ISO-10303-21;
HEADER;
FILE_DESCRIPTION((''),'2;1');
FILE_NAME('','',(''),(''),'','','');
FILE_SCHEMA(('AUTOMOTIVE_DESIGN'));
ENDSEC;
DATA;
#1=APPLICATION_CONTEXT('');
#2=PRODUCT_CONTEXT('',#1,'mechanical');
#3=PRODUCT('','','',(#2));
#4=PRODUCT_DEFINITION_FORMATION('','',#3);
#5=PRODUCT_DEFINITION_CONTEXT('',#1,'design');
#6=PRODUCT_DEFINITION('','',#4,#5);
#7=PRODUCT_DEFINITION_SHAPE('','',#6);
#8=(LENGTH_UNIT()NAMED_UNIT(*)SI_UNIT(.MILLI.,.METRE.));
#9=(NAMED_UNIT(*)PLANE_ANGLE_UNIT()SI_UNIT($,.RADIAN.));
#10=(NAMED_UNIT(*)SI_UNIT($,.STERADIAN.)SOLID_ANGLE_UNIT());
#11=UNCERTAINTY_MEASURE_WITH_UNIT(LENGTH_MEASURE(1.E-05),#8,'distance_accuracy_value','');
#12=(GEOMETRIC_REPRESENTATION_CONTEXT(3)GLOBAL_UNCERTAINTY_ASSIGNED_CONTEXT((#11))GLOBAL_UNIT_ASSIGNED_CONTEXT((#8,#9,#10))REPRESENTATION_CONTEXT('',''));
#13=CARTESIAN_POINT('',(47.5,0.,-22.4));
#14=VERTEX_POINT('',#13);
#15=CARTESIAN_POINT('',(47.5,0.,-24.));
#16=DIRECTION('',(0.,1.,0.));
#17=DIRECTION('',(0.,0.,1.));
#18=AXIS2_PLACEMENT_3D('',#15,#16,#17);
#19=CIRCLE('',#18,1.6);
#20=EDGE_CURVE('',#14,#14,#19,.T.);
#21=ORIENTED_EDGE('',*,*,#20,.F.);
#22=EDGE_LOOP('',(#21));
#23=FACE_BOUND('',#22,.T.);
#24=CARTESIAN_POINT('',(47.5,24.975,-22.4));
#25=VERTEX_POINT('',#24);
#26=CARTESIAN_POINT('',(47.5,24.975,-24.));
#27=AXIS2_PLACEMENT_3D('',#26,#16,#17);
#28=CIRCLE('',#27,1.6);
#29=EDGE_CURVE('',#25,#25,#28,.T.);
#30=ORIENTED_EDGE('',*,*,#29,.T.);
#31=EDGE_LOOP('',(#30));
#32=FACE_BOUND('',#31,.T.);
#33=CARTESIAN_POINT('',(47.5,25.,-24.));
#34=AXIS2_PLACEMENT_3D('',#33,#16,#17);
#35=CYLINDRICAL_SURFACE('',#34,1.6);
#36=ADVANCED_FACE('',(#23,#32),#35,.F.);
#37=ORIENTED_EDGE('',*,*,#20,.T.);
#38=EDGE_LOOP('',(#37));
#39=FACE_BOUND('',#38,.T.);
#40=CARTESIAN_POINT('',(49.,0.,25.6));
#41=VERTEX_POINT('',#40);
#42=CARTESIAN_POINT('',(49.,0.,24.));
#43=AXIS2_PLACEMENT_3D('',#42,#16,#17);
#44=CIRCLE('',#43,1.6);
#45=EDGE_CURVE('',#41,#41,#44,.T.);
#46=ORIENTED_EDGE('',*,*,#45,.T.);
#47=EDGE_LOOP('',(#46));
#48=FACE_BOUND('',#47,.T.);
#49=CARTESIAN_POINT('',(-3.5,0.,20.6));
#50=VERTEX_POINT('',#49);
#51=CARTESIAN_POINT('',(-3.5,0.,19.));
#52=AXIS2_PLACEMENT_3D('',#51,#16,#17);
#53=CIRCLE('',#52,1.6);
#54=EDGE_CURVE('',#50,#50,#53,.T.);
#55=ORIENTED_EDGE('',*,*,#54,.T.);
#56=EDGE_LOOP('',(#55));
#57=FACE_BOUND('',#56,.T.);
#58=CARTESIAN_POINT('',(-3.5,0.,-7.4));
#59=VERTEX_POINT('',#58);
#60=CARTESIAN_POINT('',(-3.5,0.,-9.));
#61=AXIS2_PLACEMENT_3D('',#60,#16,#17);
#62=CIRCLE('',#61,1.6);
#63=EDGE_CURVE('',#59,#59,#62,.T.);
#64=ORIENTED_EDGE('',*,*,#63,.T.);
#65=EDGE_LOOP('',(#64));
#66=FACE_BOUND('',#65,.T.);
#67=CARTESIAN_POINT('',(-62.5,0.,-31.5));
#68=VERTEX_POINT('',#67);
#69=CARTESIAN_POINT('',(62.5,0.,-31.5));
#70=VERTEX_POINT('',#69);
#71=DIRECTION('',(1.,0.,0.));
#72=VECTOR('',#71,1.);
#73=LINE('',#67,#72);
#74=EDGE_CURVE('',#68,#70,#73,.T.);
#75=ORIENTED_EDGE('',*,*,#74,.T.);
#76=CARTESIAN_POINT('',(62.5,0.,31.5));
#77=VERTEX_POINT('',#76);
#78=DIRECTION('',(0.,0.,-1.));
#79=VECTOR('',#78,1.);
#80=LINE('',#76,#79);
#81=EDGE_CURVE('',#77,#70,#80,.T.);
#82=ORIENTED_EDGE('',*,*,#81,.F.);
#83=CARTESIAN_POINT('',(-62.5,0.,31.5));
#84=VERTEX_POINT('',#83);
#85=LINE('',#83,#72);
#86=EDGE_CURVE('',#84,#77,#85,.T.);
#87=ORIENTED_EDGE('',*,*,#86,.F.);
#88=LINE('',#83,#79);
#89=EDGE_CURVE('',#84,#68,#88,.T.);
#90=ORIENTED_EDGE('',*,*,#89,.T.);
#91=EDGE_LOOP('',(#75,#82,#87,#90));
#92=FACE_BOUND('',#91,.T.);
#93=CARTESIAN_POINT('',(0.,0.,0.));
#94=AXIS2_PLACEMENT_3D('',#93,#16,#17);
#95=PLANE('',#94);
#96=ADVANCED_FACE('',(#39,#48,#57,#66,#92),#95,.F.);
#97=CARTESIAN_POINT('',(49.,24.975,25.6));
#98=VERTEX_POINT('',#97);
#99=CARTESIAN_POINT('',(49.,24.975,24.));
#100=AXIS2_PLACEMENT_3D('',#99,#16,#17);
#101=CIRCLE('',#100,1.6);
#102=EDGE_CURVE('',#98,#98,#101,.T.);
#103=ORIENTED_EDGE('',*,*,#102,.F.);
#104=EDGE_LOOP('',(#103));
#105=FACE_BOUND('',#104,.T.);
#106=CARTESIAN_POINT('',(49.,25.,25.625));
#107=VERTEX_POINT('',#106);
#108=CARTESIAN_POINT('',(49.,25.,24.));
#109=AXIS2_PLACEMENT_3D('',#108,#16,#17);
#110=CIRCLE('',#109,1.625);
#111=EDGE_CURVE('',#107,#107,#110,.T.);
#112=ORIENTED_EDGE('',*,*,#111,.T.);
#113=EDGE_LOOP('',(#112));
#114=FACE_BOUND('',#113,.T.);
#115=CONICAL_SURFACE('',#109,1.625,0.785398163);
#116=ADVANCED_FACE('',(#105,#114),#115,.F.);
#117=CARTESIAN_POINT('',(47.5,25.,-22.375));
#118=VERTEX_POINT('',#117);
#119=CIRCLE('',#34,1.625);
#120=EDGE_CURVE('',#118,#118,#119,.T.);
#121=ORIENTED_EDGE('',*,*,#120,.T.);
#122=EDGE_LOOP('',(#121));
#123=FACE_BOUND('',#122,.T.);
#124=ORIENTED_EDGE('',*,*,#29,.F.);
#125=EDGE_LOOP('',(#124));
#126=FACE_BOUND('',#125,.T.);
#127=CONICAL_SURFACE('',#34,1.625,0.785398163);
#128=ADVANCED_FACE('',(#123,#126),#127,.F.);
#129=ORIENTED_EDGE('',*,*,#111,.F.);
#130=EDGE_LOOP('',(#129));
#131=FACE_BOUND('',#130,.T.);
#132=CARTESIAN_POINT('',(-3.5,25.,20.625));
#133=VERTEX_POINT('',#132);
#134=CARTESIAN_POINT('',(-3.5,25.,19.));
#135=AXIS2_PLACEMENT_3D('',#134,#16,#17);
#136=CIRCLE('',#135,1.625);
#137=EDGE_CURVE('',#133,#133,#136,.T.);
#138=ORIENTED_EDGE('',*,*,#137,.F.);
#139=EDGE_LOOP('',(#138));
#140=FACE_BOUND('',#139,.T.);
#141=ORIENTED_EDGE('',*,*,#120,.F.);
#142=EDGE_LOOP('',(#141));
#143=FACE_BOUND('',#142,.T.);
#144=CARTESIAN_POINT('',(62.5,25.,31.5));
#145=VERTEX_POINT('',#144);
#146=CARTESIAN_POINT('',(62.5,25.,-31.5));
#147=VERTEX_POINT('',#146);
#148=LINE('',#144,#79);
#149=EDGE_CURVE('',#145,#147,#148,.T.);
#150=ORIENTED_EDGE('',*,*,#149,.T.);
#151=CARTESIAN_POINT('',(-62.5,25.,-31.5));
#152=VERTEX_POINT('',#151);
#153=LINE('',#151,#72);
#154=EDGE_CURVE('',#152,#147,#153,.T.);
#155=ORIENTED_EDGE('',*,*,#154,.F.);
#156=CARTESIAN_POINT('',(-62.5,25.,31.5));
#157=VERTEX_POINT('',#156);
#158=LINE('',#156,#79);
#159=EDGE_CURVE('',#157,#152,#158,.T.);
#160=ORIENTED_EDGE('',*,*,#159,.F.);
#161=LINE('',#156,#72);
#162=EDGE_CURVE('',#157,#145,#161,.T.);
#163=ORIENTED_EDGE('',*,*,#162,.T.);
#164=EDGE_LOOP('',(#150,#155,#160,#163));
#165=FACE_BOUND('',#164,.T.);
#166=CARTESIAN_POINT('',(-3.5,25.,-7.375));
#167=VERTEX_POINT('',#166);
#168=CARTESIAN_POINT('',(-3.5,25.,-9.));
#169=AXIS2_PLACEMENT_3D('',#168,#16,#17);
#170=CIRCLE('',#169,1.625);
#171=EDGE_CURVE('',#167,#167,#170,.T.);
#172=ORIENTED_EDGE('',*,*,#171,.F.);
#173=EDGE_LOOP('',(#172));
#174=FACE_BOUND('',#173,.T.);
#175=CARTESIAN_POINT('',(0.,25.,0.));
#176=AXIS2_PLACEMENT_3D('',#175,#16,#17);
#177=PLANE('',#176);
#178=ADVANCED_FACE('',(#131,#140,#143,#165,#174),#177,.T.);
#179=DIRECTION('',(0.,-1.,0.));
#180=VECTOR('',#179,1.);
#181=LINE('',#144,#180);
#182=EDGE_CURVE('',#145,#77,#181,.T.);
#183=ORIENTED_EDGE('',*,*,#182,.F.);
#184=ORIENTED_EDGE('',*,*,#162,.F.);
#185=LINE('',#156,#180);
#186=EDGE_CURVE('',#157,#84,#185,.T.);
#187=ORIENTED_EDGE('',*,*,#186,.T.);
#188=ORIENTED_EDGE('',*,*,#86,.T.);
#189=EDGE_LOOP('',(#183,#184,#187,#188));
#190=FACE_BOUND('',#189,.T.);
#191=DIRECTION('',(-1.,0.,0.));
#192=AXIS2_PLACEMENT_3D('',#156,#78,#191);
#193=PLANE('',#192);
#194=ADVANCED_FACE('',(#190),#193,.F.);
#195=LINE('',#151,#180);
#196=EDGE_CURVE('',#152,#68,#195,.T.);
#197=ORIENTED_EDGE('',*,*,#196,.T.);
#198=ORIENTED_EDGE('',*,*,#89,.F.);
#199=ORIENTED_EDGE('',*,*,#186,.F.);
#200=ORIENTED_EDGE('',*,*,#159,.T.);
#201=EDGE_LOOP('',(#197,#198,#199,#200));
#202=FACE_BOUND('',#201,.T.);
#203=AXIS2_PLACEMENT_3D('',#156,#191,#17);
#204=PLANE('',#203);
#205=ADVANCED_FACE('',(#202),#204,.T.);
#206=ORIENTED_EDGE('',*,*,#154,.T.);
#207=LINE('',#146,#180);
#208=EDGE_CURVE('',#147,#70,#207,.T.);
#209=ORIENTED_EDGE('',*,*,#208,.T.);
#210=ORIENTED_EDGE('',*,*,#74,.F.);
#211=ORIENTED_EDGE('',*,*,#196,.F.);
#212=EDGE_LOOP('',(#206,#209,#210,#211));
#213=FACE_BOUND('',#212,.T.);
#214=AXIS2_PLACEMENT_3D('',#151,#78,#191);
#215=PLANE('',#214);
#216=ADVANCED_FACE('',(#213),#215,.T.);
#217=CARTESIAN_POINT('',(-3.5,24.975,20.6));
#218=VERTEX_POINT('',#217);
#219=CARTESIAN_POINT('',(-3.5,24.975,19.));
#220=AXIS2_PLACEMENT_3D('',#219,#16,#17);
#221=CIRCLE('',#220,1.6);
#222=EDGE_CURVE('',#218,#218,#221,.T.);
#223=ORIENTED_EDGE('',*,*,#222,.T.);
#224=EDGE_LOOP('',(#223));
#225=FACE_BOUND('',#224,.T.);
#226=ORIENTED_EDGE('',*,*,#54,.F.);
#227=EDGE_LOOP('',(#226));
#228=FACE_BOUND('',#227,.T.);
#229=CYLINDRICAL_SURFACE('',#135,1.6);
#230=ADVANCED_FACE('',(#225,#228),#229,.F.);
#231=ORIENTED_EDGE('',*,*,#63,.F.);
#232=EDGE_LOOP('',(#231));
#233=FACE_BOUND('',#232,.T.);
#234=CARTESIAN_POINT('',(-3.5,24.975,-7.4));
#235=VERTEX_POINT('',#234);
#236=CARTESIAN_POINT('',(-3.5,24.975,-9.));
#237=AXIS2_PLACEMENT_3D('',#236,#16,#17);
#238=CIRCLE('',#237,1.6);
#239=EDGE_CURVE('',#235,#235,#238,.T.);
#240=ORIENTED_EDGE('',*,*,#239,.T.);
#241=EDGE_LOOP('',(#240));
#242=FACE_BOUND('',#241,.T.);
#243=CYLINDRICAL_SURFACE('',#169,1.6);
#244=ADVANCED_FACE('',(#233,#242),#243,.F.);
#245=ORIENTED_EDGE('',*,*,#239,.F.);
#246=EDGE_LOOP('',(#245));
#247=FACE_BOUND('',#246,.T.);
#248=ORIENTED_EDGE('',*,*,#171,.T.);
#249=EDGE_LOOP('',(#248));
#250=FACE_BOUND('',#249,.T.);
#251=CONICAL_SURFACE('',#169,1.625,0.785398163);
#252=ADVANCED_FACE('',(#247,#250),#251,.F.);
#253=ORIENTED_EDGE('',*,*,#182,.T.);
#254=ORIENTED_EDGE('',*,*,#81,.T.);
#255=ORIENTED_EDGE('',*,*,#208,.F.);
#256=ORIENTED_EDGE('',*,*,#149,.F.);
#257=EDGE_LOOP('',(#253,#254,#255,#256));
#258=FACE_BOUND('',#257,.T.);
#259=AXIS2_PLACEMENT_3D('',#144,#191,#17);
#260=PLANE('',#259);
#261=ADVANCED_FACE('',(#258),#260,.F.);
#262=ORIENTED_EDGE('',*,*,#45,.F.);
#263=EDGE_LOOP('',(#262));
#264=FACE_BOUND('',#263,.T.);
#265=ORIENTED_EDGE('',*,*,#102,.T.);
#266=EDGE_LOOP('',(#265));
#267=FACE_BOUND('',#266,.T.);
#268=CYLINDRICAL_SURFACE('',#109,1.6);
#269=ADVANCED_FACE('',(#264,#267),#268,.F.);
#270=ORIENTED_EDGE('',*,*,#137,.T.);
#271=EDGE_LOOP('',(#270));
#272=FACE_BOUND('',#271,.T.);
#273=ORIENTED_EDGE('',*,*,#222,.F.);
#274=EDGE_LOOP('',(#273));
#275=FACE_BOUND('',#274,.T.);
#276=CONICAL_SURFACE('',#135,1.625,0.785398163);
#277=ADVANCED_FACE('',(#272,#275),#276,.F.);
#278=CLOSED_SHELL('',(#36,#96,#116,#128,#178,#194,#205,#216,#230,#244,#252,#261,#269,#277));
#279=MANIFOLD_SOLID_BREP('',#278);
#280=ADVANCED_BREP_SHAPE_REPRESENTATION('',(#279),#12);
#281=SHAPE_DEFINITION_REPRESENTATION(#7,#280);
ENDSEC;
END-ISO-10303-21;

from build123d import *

# Parameters (mm, degrees)
SKETCH1_W                      = 125
SKETCH1_H                      = 63
BOSS_EXTRUDE1_DEPTH            = 25
M3_CLEARANCE_HOLE1_D           = 3.2
M3_CLEARANCE_HOLE1_CSINK_D     = 3.25
M3_CLEARANCE_HOLE1_CSINK_ANGLE = 90


with BuildPart() as part:
    # Sketch1 → Boss-Extrude1 (new body)
    with BuildSketch(Plane(origin=(0, 0, 0), x_dir=(1, 0, 0), z_dir=(0, 1, 0))):
        Rectangle(SKETCH1_W, SKETCH1_H)
    extrude(amount=BOSS_EXTRUDE1_DEPTH)

    # M3 Clearance Hole1 (through all)
    with Locations(Plane(origin=(0, 25, 0), x_dir=(1, 0, 0), z_dir=(0, 1, 0))):
        with Locations((47.5, 24), (49, -24), (-3.5, 9), (-3.5, -19)):
            CounterSinkHole(M3_CLEARANCE_HOLE1_D / 2, M3_CLEARANCE_HOLE1_CSINK_D / 2, counter_sink_angle=M3_CLEARANCE_HOLE1_CSINK_ANGLE)


solid = part.part
